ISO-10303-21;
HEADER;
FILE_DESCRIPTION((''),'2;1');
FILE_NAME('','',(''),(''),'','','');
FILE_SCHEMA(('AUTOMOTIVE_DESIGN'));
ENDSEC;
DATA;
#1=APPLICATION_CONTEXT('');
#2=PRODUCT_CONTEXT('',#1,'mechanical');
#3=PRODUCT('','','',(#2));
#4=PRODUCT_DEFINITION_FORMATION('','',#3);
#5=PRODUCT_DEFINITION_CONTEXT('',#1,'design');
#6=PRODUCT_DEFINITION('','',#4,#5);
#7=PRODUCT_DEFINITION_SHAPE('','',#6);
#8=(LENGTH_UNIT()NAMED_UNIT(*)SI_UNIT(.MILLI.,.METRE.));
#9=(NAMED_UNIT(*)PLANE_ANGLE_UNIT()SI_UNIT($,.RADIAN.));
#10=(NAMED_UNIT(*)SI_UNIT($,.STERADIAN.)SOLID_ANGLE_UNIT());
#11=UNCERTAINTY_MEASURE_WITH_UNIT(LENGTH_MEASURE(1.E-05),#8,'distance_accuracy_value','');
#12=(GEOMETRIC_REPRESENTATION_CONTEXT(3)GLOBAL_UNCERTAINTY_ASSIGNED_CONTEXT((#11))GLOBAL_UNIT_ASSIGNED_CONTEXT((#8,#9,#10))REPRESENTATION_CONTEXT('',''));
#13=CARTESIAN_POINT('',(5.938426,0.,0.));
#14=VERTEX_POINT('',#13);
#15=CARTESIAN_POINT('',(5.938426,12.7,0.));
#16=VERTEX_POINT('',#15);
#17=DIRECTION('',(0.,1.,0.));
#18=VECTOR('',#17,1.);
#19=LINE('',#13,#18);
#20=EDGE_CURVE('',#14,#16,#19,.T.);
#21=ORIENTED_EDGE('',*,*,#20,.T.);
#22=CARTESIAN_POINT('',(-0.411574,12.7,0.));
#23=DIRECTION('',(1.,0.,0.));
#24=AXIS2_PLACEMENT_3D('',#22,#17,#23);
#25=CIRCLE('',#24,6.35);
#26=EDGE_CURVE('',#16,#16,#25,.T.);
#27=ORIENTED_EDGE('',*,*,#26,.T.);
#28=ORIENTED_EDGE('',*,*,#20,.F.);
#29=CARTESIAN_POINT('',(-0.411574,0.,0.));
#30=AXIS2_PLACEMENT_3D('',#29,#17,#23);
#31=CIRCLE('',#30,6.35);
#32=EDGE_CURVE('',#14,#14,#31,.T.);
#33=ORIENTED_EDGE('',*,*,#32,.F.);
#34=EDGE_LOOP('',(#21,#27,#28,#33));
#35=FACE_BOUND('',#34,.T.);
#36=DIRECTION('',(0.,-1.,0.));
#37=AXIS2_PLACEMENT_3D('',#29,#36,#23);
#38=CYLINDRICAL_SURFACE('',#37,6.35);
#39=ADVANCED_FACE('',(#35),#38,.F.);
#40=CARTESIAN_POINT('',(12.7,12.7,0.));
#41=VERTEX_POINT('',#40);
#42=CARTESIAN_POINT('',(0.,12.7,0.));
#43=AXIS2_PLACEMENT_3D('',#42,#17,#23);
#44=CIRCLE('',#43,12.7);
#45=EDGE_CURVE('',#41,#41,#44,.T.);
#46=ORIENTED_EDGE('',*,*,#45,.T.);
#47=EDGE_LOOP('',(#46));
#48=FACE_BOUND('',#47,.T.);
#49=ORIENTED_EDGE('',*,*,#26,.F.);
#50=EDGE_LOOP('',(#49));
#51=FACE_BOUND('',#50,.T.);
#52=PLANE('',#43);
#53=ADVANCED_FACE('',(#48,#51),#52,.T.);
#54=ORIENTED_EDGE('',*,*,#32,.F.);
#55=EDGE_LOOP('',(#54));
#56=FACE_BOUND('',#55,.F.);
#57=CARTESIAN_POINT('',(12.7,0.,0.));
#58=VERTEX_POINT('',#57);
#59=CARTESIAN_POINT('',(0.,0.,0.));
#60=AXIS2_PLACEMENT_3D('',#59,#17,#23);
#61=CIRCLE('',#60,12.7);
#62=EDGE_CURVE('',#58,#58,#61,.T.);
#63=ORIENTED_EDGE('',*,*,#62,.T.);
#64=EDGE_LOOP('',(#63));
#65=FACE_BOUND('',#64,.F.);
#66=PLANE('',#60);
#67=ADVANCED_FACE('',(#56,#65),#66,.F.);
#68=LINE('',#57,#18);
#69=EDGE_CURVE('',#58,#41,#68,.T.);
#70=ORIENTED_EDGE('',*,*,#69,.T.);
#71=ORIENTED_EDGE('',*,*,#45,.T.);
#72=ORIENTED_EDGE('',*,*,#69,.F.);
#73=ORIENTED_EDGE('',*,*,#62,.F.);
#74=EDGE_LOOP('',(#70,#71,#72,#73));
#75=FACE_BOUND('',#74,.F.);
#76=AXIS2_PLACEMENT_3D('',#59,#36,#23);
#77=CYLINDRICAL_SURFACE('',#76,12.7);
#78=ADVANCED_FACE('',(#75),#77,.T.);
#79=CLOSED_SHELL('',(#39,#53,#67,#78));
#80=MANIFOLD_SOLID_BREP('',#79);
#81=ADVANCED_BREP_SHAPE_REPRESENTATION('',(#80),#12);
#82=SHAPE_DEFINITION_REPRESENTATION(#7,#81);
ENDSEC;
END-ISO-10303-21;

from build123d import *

# Parameters (mm, degrees)
SKETCH1_R           = 12.7
SKETCH1_R_2         = 6.35
BOSS_EXTRUDE1_DEPTH = 12.7


with BuildPart() as part:
    # Sketch1 → Boss-Extrude1 (new body)
    with BuildSketch(Plane(origin=(0, 0, 0), x_dir=(1, 0, 0), z_dir=(0, 1, 0))):
        Circle(SKETCH1_R)
        with Locations((-0.411574074, 0)):
            Circle(SKETCH1_R_2, mode=Mode.SUBTRACT)
    extrude(amount=BOSS_EXTRUDE1_DEPTH)


solid = part.part
